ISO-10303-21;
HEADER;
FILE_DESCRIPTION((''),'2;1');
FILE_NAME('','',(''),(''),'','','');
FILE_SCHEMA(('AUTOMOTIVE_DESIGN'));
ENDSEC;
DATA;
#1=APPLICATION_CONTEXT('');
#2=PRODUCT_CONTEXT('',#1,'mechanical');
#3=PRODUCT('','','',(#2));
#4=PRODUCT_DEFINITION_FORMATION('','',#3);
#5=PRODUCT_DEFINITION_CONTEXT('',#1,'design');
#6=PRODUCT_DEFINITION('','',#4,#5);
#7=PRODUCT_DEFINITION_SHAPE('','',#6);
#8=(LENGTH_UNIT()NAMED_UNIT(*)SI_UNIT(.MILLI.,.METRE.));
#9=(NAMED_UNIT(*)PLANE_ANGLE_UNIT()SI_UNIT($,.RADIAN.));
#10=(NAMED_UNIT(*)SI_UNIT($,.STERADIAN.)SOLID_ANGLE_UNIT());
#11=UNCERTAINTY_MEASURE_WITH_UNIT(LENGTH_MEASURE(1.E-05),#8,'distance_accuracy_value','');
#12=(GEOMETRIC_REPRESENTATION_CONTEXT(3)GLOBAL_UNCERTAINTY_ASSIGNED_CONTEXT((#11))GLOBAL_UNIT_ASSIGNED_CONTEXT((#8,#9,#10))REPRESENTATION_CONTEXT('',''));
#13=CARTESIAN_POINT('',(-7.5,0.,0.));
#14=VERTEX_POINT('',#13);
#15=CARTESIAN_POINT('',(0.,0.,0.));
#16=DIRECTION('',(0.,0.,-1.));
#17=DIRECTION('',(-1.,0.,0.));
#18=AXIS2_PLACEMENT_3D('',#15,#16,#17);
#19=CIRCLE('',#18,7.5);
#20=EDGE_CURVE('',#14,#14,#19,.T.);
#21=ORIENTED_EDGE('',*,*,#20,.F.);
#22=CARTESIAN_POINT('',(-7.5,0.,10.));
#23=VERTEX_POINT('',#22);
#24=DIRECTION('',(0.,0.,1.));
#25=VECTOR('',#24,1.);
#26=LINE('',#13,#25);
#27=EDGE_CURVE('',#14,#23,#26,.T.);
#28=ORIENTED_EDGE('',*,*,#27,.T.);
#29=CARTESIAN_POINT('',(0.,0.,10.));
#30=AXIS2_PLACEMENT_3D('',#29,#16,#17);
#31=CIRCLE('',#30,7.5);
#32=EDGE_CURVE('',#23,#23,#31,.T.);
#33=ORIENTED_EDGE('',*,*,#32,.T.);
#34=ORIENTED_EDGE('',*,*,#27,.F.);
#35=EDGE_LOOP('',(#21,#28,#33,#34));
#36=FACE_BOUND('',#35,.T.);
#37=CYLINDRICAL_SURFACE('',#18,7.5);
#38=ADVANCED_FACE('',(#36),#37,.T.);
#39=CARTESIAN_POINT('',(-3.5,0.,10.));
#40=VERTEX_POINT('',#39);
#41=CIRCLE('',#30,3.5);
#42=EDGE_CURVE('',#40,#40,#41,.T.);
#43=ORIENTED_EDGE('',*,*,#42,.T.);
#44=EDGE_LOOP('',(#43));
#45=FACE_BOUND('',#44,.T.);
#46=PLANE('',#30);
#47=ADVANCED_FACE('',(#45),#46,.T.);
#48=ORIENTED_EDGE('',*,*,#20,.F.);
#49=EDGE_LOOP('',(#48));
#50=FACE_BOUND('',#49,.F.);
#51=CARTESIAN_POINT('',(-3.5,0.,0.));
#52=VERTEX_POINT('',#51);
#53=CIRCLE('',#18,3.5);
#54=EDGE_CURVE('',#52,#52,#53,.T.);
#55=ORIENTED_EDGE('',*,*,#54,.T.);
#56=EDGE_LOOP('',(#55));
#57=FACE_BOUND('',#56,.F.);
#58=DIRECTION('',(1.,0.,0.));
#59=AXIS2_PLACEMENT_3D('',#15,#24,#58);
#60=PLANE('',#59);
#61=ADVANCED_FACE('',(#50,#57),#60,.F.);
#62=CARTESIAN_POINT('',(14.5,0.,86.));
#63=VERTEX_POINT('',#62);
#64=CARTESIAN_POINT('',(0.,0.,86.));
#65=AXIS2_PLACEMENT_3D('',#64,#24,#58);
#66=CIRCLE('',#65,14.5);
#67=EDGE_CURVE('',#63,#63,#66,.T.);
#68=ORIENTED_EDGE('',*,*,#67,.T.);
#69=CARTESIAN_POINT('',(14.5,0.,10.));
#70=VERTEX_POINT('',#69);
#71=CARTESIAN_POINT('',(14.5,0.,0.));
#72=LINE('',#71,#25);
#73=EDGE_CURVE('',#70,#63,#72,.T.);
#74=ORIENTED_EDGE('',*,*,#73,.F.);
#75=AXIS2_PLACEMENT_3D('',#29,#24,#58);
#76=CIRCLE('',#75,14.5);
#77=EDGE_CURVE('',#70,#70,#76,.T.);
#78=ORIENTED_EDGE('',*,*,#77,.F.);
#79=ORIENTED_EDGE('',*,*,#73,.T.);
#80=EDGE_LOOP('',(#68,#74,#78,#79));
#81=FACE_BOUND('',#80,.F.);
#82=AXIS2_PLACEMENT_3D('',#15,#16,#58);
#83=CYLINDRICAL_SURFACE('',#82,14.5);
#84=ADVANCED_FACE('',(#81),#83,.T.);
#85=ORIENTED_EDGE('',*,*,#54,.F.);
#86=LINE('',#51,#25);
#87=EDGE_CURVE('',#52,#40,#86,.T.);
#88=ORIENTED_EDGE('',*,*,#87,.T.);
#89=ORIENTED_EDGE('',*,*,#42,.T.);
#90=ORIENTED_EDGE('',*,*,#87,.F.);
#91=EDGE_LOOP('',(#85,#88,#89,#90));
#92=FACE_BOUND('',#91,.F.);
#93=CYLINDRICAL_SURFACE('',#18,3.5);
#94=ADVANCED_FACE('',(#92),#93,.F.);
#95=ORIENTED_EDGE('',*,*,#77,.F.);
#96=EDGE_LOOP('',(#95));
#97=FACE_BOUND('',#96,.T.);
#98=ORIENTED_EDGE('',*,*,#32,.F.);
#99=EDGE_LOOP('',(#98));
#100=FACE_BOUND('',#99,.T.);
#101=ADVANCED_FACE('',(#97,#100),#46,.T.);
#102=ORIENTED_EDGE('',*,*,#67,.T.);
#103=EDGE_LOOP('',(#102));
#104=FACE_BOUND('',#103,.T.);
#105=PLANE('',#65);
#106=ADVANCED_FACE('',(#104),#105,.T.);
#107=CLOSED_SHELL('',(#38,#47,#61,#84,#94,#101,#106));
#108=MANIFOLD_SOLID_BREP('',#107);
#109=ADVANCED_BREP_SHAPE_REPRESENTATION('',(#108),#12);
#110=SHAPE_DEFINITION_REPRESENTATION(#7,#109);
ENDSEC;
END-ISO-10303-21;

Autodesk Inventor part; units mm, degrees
ref_plane "YZ Plane" through (0, 0, 0) normal (1, 0, 0) x (0, 1, 0)
ref_plane "XZ Plane" through (0, 0, 0) normal (0, 1, 0) x (-1, 0, 0)
ref_plane "XY Plane" through (0, 0, 0) normal (0, 0, 1) x (1, 0, 0)
sketch "Sketch1" plane through (0, 0, 0) normal (0, 0, 1) x (1, 0, 0)
  circle A0 centre (0, 0) radius 14.5
  dimension "d0" = 29
extrude "Extrusion1" add sketch "Sketch1" along normal blind 86
sketch "Sketch2" plane through (0, 0, 0) normal (0, 0, -1) x (-1, 0, 0)
  circle A0 centre (0, 0) radius 14.5
  circle A1 centre (0, 0) radius 7.5
  dimension "d3" = 15
extrude "Extrusion2" cut sketch "Sketch2" against normal blind 10
sketch "Sketch3" plane through (0, 0, 0) normal (0, 0, -1) x (-1, 0, 0)
  circle A0 centre (0, 0) radius 3.5
  dimension "d6" = 7
extrude "Extrusion3" cut sketch "Sketch3" against normal blind 10
properties part number "motor29x86"
